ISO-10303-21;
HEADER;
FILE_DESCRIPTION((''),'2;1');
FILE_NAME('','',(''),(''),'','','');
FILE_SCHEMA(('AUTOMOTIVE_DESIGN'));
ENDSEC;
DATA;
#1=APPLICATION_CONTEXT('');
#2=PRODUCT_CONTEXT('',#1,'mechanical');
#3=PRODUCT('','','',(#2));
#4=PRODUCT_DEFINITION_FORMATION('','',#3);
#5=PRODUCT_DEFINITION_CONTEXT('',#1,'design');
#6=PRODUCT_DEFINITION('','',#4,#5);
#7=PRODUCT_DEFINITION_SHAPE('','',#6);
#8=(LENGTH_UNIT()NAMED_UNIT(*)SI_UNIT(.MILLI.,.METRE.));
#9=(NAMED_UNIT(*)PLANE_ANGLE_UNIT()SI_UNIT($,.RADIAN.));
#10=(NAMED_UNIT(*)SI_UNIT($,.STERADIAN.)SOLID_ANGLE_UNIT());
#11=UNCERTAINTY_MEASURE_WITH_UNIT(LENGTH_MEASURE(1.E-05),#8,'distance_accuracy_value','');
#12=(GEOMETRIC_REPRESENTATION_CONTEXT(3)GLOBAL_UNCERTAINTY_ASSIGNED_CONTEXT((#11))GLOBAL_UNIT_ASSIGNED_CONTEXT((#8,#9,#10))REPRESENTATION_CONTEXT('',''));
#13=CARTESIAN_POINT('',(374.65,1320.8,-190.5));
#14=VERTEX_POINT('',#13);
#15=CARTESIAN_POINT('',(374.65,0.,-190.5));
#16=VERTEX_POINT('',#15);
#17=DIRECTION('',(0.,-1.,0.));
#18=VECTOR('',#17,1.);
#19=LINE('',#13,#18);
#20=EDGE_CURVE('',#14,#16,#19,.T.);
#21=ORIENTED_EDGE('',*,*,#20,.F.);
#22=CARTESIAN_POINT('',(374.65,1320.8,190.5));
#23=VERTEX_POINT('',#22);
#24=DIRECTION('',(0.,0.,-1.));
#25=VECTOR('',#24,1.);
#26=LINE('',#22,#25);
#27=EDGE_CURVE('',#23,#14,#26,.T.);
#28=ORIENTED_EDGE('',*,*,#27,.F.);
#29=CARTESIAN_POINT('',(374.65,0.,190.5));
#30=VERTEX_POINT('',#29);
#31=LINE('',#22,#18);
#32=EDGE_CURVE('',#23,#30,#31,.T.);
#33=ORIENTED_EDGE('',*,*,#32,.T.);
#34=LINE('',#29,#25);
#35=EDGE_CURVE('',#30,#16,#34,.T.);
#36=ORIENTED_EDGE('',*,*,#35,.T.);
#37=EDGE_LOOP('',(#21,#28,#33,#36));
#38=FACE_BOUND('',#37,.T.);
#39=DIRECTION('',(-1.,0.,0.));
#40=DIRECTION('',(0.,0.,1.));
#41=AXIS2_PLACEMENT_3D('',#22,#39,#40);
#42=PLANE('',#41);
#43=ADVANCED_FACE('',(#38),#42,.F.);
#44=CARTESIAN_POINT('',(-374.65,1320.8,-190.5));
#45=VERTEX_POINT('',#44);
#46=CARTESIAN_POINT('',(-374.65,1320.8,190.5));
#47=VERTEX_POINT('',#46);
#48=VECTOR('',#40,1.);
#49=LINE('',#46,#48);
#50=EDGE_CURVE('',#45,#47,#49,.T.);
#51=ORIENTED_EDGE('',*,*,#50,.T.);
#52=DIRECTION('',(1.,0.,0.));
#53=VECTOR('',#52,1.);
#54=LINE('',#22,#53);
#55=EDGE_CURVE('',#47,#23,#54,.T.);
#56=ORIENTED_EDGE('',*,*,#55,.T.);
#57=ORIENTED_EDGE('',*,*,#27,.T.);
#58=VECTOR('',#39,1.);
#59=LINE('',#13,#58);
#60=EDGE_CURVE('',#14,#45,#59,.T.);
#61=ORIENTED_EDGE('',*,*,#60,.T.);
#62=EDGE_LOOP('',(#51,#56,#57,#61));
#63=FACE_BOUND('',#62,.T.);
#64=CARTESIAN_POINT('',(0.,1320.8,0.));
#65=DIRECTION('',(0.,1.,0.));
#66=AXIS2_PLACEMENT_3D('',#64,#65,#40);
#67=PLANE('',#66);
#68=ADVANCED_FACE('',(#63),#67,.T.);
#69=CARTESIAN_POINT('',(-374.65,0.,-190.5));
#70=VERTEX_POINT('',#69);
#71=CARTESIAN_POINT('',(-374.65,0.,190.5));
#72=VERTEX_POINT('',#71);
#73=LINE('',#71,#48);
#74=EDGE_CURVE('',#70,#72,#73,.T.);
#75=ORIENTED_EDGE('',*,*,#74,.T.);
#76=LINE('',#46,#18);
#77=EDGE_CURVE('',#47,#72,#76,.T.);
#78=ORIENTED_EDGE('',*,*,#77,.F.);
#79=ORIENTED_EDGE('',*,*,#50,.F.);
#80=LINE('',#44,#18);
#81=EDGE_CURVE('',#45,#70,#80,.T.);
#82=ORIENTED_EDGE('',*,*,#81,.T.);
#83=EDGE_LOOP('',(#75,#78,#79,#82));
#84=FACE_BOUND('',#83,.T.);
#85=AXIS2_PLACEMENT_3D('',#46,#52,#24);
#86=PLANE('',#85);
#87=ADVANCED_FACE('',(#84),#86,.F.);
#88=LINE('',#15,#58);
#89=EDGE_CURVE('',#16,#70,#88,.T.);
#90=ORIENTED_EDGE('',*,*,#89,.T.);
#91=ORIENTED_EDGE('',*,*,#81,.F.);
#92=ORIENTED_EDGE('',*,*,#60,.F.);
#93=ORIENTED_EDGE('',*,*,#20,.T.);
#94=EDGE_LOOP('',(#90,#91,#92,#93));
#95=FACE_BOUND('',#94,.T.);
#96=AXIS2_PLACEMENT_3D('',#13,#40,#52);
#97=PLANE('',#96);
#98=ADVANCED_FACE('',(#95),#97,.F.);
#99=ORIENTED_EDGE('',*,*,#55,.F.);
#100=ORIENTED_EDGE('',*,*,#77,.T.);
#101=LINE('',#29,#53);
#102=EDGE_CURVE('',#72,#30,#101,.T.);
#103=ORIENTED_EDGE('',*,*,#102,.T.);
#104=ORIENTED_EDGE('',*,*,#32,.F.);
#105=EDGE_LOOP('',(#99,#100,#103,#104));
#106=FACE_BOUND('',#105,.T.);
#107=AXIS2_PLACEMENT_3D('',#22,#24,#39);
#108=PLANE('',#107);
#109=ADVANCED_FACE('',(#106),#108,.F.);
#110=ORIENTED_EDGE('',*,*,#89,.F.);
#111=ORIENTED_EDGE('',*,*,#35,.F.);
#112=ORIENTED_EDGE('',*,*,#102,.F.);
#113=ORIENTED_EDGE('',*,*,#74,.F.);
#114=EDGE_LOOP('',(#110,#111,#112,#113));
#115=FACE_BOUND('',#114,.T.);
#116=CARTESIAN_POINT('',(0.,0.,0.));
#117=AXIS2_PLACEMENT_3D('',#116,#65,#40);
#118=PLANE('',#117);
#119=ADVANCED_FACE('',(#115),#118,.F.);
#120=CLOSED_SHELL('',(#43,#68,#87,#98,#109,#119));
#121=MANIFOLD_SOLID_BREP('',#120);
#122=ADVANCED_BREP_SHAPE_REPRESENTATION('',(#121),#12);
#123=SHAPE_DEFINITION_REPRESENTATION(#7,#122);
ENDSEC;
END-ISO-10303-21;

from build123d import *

# Parameters (mm, degrees)
SKETCH1_W           = 749.3
SKETCH1_H           = 381
BOSS_EXTRUDE1_DEPTH = 1320.8


with BuildPart() as part:
    # Sketch1 → Boss-Extrude1 (new body)
    with BuildSketch(Plane(origin=(0, 0, 0), x_dir=(1, 0, 0), z_dir=(0, 1, 0))):
        Rectangle(SKETCH1_W, SKETCH1_H)
    extrude(amount=BOSS_EXTRUDE1_DEPTH)


solid = part.part
